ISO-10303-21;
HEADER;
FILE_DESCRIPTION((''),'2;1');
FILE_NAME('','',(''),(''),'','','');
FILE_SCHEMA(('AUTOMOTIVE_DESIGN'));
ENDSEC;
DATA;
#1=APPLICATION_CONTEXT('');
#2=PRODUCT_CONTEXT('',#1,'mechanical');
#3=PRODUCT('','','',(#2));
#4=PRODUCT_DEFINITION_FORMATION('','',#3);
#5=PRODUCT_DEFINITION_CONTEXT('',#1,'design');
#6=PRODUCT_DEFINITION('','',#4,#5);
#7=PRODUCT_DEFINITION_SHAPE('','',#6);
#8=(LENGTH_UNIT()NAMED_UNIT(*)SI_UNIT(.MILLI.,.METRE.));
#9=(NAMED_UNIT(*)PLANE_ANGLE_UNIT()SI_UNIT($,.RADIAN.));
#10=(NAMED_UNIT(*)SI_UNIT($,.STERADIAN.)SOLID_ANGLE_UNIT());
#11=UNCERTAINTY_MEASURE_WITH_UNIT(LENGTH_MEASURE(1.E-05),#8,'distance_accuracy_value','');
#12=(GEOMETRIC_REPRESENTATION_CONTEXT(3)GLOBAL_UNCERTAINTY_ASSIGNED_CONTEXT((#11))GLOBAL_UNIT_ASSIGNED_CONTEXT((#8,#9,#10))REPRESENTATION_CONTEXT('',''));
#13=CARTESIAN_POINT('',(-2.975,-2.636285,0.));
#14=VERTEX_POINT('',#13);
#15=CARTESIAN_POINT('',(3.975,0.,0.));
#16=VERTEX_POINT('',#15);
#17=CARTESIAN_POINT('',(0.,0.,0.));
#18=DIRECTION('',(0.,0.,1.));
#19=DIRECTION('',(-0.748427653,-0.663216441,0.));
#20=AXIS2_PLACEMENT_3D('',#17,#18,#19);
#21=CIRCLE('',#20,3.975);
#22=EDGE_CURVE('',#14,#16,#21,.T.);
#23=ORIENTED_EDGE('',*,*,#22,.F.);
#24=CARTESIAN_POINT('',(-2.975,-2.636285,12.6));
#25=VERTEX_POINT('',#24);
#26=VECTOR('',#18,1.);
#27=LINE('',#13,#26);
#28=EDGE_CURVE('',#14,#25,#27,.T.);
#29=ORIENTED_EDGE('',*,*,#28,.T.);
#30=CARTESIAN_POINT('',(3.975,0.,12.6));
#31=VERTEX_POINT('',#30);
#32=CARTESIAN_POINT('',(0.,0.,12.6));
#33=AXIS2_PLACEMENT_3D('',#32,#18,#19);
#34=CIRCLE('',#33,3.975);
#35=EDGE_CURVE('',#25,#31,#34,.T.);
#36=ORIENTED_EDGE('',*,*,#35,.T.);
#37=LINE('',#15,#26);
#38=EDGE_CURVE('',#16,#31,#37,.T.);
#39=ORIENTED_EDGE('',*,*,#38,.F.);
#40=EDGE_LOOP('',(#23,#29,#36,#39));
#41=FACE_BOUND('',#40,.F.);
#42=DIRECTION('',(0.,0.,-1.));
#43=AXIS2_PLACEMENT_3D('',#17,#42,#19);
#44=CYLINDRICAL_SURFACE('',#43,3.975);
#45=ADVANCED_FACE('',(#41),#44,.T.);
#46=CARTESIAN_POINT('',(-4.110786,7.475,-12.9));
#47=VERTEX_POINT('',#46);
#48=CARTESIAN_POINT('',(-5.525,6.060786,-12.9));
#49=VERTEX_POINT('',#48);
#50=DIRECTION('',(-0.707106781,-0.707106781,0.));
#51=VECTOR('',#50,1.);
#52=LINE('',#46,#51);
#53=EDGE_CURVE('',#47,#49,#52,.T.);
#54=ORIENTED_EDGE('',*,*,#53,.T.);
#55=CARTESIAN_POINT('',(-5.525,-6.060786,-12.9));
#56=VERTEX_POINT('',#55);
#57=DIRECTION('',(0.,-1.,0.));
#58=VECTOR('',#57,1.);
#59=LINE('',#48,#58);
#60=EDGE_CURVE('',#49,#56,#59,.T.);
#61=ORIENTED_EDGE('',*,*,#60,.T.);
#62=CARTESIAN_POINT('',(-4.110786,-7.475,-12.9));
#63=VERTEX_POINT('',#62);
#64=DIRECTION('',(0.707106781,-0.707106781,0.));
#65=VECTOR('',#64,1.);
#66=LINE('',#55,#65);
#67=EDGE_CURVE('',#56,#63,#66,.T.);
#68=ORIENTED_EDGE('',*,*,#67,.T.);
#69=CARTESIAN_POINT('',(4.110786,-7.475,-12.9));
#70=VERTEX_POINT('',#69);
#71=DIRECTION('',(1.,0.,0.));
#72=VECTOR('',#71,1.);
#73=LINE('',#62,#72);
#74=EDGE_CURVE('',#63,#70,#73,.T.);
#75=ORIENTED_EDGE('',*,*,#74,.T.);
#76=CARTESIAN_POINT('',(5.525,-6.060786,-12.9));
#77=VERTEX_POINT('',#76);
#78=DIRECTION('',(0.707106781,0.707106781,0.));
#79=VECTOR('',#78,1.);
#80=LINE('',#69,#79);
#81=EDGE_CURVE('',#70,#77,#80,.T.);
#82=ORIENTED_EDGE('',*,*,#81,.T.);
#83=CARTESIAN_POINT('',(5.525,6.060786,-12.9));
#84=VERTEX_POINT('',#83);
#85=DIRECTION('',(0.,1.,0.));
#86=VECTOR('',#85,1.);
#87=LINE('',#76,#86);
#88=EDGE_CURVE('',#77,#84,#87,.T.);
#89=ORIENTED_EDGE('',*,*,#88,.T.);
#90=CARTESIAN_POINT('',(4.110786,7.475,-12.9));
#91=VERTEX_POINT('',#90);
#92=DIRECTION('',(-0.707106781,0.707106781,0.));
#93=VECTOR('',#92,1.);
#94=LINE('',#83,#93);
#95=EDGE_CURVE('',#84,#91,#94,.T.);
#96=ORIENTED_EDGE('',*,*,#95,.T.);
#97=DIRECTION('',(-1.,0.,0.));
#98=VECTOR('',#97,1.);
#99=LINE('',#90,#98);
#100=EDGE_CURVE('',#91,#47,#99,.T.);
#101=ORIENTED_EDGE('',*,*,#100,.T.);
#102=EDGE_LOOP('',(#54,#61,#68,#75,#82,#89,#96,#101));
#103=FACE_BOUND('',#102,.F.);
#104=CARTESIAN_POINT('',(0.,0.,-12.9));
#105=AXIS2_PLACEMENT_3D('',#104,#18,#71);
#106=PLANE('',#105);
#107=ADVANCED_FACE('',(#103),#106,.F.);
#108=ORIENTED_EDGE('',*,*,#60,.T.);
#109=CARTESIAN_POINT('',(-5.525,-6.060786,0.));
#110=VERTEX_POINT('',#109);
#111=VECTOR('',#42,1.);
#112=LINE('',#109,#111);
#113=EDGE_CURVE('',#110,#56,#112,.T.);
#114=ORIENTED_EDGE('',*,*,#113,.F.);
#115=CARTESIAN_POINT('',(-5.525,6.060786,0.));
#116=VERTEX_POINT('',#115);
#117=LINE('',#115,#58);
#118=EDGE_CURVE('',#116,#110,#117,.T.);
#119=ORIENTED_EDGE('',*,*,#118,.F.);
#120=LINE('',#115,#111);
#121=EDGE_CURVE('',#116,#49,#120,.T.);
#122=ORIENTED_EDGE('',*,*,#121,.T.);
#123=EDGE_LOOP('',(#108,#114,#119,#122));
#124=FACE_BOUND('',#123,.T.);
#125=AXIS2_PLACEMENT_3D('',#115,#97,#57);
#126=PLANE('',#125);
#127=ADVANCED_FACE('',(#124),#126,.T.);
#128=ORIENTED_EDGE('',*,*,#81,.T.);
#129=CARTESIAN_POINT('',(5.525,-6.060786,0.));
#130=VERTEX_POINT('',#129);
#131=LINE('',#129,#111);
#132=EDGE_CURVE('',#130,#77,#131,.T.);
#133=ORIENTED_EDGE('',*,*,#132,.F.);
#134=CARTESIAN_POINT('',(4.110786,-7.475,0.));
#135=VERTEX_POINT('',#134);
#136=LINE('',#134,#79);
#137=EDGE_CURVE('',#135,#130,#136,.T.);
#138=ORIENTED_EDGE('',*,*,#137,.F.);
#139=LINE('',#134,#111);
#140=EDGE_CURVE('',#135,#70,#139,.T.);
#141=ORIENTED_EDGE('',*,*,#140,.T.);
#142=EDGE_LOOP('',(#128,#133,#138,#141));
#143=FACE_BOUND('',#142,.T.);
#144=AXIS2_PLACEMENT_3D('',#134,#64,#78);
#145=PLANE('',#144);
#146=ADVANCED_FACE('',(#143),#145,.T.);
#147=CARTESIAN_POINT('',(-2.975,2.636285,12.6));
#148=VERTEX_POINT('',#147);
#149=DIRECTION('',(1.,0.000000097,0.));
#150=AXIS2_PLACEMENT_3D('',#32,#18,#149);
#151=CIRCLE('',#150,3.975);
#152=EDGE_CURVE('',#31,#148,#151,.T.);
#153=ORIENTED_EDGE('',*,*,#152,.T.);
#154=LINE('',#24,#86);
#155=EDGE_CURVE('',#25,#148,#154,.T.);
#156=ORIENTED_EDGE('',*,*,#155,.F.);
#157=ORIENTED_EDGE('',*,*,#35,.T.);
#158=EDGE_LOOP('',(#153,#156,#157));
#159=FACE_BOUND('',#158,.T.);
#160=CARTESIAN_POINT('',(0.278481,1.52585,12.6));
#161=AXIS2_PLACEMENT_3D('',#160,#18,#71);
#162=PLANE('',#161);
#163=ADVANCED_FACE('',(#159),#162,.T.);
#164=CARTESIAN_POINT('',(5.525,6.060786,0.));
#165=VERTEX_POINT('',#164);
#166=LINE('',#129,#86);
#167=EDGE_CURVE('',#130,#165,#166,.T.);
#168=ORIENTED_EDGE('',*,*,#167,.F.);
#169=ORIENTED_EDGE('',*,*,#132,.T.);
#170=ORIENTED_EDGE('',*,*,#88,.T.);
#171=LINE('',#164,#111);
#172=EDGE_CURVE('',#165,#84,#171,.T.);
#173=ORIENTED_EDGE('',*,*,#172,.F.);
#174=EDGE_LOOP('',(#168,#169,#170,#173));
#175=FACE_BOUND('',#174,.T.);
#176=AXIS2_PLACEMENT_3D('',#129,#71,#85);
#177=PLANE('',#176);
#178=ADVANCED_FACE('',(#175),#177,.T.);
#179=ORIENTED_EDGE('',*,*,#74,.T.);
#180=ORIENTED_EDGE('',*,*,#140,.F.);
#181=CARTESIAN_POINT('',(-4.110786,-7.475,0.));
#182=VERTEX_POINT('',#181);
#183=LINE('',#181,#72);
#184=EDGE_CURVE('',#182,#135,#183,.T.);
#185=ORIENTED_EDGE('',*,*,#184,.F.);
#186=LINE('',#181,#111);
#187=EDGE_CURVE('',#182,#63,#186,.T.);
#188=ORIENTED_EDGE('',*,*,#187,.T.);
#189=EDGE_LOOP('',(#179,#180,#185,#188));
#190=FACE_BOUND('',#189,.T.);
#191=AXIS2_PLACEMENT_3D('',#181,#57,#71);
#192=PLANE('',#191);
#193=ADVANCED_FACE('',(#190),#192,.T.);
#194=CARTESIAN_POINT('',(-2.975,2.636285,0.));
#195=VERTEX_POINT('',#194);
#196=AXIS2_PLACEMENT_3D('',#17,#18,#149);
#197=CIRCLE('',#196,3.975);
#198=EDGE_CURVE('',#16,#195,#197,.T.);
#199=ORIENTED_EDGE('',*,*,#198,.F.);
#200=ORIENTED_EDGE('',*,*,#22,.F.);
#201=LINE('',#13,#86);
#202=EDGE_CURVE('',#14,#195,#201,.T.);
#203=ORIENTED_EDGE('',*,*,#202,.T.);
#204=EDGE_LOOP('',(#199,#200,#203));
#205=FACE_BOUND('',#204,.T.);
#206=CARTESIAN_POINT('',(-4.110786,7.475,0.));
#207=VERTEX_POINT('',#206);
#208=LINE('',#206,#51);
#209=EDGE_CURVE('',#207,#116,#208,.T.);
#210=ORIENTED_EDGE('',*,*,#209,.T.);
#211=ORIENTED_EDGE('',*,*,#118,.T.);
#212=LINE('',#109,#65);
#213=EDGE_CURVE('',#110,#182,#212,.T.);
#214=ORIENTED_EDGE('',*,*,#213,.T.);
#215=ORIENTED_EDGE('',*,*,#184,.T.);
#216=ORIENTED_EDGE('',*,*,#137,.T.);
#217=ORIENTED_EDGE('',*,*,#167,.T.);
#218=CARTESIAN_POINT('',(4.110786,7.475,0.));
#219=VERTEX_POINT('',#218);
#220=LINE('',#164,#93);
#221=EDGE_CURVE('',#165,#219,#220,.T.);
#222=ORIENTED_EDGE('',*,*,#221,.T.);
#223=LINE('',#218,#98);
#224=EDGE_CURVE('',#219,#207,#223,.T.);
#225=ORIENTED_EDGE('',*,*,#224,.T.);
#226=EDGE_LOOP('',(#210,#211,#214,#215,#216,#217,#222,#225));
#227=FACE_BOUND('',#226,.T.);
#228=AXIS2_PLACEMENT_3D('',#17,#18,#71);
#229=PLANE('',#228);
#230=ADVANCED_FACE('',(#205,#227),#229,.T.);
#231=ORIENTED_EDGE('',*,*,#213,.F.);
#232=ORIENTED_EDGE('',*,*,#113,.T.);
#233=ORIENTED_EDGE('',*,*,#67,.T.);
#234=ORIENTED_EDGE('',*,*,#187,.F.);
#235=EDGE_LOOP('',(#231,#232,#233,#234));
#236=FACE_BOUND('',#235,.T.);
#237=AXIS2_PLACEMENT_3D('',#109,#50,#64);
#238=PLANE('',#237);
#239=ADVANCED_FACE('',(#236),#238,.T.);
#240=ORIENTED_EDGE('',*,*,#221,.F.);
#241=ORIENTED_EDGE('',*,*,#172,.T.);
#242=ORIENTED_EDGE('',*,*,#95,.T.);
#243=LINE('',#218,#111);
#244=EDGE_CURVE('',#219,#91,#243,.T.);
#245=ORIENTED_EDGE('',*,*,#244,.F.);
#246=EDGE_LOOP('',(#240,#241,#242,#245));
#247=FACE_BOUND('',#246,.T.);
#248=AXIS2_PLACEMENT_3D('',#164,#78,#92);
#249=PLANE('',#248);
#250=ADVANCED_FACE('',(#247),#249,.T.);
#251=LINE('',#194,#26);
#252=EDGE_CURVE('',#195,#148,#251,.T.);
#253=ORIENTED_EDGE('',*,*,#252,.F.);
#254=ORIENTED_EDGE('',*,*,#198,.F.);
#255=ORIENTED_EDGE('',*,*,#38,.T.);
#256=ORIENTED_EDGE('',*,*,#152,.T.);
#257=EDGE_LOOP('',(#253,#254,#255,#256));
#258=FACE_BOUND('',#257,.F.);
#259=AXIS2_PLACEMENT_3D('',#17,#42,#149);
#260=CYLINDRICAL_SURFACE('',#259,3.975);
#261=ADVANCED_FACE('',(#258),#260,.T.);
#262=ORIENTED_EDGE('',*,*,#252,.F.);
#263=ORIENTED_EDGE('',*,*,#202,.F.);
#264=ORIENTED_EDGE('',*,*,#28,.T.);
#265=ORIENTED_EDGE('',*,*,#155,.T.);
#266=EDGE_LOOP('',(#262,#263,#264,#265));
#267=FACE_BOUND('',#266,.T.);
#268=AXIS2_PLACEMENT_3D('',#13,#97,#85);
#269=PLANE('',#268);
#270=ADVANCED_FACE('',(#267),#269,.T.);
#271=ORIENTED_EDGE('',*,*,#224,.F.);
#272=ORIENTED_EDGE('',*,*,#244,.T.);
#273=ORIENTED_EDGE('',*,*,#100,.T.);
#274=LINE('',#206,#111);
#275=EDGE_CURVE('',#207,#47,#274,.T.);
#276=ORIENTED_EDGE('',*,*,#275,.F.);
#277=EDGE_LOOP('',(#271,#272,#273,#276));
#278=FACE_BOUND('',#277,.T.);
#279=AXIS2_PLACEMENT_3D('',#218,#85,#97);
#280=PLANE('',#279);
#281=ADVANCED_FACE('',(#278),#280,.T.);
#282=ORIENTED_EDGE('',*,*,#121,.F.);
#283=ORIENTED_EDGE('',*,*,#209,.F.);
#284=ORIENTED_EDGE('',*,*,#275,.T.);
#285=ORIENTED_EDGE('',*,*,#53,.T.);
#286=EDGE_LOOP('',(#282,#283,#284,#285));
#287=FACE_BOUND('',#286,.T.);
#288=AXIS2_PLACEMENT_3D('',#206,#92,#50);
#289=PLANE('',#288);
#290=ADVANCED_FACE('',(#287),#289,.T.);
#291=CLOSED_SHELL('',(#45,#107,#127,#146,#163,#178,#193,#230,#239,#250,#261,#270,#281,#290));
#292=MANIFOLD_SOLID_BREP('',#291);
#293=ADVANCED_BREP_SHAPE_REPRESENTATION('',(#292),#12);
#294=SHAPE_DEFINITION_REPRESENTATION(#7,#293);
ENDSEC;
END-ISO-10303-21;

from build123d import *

# Parameters (mm, degrees)
F1_DEPTH = 12.6
F2_DEPTH = 12.6
F4_DEPTH = 12.9


with BuildPart() as f1:
    # F0 (on Top) → F1 (new body)
    with BuildSketch(Plane.XY):
        with BuildLine():
            Line((-2.975, 0), (3.975, 0))
            ThreePointArc((3.975, 0), (1.409787, 3.716601), (-2.975, 2.636285))
            Line((-2.975, 2.636285), (-2.975, 0))
        make_face()
        with BuildLine():
            ThreePointArc((-2.975, -2.636285), (1.409787, -3.716601), (3.975, 0))
            Line((3.975, 0), (-2.975, 0))
            Line((-2.975, 0), (-2.975, -2.636285))
        make_face()
        with BuildLine():
            Line((-2.975, 0), (-2.975, 2.636285))
            ThreePointArc((-2.975, 2.636285), (-3.975, 0), (-2.975, -2.636285))
            Line((-2.975, -2.636285), (-2.975, 0))
        make_face()
    extrude(amount=F1_DEPTH)

    # F0 (on Top) → F2 (cut)
    with BuildSketch(Plane.XY):
        with BuildLine():
            Line((-2.975, 0), (-2.975, 2.636285))
            ThreePointArc((-2.975, 2.636285), (-3.975, 0), (-2.975, -2.636285))
            Line((-2.975, -2.636285), (-2.975, 0))
        make_face()
    extrude(amount=F2_DEPTH, mode=Mode.SUBTRACT)

    # F3 (on face) → F4 (join)
    with BuildSketch(Plane.XY):
        Polygon((5.525, 6.060786), (4.110786, 7.475), (-4.110786, 7.475), (-5.525, 6.060786), (-5.525, -6.060786), (-4.110786, -7.475), (4.110786, -7.475), (5.525, -6.060786), align=None)
    extrude(amount=-F4_DEPTH)


solid = f1.part
